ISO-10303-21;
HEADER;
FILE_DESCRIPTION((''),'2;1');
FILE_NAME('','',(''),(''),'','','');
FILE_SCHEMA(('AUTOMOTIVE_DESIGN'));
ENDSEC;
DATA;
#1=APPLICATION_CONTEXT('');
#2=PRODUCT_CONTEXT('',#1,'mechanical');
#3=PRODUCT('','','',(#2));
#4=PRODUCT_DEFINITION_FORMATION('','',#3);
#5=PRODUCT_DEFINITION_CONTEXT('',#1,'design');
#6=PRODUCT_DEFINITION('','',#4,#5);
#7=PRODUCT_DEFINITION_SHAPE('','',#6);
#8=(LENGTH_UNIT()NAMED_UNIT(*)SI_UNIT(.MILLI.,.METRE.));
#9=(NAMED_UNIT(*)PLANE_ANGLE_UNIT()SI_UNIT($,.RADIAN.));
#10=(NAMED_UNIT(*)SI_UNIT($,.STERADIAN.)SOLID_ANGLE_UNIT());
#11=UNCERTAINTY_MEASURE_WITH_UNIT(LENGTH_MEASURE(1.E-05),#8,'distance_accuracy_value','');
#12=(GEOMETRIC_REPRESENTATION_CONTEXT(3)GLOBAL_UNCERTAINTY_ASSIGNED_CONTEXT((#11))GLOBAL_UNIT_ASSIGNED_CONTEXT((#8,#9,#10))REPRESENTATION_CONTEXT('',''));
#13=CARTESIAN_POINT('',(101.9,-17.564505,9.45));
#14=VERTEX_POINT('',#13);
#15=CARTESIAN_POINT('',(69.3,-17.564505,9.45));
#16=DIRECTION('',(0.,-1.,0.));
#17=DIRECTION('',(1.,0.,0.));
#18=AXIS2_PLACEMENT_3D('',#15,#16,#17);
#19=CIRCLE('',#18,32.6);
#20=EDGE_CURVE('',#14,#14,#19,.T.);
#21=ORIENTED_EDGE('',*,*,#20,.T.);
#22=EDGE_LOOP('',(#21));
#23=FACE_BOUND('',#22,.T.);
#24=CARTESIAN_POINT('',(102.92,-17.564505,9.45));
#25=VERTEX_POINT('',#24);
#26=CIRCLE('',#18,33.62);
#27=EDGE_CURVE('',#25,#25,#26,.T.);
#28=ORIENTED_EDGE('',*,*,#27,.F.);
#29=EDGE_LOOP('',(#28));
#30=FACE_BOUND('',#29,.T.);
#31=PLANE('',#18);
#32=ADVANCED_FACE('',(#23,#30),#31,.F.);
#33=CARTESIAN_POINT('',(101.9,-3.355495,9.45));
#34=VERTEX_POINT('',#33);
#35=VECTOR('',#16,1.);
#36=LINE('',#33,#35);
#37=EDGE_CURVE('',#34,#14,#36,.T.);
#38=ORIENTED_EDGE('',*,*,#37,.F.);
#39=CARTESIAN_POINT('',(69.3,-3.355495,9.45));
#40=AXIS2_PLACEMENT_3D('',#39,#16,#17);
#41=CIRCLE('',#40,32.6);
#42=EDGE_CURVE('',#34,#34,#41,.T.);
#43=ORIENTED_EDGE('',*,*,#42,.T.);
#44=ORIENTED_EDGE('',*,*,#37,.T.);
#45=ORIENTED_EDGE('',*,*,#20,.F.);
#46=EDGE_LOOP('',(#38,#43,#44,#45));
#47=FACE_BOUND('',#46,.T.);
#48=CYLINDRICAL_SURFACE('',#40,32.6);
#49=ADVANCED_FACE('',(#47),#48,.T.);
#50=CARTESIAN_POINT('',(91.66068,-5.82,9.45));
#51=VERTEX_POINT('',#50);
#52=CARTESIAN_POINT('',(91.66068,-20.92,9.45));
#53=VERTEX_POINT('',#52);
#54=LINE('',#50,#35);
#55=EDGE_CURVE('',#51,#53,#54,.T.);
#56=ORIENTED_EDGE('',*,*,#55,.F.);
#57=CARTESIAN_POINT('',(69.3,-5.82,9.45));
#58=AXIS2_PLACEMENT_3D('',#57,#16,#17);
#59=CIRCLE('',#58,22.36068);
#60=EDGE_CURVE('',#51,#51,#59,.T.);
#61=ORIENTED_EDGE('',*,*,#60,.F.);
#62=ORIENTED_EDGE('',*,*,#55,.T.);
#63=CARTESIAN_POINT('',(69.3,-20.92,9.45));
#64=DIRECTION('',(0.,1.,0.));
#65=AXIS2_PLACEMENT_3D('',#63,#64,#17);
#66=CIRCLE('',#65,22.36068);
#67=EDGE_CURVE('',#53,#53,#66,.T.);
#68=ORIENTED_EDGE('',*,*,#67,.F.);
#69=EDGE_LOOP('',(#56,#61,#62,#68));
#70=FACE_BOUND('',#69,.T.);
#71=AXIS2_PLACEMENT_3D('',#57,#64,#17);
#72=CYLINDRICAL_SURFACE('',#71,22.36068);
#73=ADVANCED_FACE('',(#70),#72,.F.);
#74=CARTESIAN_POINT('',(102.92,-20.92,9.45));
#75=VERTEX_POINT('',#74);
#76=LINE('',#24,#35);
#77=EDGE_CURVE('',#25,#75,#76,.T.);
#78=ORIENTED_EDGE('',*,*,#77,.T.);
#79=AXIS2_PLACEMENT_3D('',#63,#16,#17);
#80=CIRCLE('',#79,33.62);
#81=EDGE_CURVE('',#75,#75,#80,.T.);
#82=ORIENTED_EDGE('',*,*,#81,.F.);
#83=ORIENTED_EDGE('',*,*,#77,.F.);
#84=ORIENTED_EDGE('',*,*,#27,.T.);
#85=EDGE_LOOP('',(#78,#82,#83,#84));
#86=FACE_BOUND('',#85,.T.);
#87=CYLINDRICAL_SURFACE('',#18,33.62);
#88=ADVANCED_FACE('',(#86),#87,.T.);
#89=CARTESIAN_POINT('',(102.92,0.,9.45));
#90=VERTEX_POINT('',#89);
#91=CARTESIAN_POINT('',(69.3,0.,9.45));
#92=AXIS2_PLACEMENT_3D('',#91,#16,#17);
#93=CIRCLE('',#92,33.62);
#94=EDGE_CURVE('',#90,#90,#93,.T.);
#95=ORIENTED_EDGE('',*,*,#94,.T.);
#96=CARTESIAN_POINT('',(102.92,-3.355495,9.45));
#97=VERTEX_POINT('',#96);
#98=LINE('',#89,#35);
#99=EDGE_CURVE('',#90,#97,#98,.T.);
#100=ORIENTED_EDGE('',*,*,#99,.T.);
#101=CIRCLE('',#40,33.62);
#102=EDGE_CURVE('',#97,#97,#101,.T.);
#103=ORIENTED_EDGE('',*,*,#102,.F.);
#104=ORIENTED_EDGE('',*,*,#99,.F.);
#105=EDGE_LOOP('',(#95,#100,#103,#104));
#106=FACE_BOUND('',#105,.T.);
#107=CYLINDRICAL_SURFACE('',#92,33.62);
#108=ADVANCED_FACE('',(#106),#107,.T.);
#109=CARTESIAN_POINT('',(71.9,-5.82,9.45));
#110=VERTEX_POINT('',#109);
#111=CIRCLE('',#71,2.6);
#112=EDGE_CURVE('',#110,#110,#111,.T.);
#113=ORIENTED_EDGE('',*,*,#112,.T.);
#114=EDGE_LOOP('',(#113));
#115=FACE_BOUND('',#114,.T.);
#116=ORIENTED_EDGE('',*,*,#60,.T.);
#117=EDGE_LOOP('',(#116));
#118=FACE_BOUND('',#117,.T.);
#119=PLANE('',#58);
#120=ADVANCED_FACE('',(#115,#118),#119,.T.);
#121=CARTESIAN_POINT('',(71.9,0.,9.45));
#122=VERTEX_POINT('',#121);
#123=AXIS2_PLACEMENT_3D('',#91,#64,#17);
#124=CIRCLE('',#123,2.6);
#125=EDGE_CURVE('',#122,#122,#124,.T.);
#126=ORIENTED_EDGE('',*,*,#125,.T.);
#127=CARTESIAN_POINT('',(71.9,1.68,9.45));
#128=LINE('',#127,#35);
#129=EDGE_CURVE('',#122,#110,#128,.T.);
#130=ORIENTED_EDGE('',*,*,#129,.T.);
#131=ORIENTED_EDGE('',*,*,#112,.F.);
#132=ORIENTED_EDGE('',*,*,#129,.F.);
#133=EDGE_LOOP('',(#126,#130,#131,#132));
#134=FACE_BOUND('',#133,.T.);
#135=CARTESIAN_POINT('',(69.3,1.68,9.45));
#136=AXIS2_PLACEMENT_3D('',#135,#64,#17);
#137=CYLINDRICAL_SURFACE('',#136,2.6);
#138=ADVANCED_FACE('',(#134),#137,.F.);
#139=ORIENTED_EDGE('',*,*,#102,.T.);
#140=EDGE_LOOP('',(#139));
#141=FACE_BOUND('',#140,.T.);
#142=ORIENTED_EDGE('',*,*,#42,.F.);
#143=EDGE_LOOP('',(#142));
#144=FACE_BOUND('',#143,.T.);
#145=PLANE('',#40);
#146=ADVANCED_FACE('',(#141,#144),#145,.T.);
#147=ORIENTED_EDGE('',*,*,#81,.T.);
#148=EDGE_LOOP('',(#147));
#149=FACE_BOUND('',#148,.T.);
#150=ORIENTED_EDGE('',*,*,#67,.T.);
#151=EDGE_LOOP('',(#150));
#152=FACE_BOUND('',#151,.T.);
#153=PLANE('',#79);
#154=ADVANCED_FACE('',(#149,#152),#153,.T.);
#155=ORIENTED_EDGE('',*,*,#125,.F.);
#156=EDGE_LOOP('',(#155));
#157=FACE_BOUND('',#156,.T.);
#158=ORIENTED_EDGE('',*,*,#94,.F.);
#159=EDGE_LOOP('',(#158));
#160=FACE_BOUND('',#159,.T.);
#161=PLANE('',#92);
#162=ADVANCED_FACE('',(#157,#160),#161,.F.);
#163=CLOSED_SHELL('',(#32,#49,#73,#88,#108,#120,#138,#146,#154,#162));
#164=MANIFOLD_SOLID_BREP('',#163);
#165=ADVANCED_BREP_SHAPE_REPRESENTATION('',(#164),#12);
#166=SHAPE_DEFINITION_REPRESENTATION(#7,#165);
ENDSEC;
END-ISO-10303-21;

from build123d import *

# Parameters (mm, degrees)
SKETCH066_R            = 2.6
EXTRUDE065_DEPTH       = 10
SKETCH065_R            = 22.36068
EXTRUDE064_DEPTH       = 20
CUT036_PLACEMENT_ANGLE = 90


with BuildPart() as extrude065:
    # Sketch066 (on Face9 of Cut035) → Extrude065 (new body)
    with BuildSketch(Plane.XY.offset(5.82)):
        Circle(SKETCH066_R)
    extrude(amount=EXTRUDE065_DEPTH)


with BuildPart() as extrude065_1:
    # Extrude065 placement: moved
    add(extrude065.part.moved(Location((0, 0, -7.5))))


with BuildPart() as extrude064:
    # Sketch065 (on Face7 of Revolve003) → Extrude064 (new body)
    with BuildSketch(Plane.XY.offset(20.92)):
        Circle(SKETCH065_R)
    extrude(amount=EXTRUDE064_DEPTH)


with BuildPart() as extrude064_1:
    # Extrude064 placement: moved
    add(extrude064.part.moved(Location((0, 0, -15.1))))


with BuildPart() as rueda_delantera001:
    # Sketch064 → Revolve003 (revolve)
    with BuildSketch(Plane.XZ):
        Polygon((0, 0), (33.62, 0), (33.62, 3.355495), (32.6, 3.355495), (32.6, 17.564505), (33.62, 17.564505), (33.62, 20.92), (0, 20.92), align=None)
    revolve(axis=Axis((0, 0, 0), (0, 0, 1)))

    # Cut035: cut Extrude064
    add(extrude064_1.part, mode=Mode.SUBTRACT)

    # Cut036: cut Extrude065
    add(extrude065_1.part, mode=Mode.SUBTRACT)


with BuildPart() as rueda_delantera001_1:
    # Cut036 placement: moved
    add(rueda_delantera001.part.moved(Location((69.3, 0, 9.45))).rotate(Axis((69.3, 0, 9.45), (1, 0, 0)), CUT036_PLACEMENT_ANGLE))


solid = rueda_delantera001_1.part
